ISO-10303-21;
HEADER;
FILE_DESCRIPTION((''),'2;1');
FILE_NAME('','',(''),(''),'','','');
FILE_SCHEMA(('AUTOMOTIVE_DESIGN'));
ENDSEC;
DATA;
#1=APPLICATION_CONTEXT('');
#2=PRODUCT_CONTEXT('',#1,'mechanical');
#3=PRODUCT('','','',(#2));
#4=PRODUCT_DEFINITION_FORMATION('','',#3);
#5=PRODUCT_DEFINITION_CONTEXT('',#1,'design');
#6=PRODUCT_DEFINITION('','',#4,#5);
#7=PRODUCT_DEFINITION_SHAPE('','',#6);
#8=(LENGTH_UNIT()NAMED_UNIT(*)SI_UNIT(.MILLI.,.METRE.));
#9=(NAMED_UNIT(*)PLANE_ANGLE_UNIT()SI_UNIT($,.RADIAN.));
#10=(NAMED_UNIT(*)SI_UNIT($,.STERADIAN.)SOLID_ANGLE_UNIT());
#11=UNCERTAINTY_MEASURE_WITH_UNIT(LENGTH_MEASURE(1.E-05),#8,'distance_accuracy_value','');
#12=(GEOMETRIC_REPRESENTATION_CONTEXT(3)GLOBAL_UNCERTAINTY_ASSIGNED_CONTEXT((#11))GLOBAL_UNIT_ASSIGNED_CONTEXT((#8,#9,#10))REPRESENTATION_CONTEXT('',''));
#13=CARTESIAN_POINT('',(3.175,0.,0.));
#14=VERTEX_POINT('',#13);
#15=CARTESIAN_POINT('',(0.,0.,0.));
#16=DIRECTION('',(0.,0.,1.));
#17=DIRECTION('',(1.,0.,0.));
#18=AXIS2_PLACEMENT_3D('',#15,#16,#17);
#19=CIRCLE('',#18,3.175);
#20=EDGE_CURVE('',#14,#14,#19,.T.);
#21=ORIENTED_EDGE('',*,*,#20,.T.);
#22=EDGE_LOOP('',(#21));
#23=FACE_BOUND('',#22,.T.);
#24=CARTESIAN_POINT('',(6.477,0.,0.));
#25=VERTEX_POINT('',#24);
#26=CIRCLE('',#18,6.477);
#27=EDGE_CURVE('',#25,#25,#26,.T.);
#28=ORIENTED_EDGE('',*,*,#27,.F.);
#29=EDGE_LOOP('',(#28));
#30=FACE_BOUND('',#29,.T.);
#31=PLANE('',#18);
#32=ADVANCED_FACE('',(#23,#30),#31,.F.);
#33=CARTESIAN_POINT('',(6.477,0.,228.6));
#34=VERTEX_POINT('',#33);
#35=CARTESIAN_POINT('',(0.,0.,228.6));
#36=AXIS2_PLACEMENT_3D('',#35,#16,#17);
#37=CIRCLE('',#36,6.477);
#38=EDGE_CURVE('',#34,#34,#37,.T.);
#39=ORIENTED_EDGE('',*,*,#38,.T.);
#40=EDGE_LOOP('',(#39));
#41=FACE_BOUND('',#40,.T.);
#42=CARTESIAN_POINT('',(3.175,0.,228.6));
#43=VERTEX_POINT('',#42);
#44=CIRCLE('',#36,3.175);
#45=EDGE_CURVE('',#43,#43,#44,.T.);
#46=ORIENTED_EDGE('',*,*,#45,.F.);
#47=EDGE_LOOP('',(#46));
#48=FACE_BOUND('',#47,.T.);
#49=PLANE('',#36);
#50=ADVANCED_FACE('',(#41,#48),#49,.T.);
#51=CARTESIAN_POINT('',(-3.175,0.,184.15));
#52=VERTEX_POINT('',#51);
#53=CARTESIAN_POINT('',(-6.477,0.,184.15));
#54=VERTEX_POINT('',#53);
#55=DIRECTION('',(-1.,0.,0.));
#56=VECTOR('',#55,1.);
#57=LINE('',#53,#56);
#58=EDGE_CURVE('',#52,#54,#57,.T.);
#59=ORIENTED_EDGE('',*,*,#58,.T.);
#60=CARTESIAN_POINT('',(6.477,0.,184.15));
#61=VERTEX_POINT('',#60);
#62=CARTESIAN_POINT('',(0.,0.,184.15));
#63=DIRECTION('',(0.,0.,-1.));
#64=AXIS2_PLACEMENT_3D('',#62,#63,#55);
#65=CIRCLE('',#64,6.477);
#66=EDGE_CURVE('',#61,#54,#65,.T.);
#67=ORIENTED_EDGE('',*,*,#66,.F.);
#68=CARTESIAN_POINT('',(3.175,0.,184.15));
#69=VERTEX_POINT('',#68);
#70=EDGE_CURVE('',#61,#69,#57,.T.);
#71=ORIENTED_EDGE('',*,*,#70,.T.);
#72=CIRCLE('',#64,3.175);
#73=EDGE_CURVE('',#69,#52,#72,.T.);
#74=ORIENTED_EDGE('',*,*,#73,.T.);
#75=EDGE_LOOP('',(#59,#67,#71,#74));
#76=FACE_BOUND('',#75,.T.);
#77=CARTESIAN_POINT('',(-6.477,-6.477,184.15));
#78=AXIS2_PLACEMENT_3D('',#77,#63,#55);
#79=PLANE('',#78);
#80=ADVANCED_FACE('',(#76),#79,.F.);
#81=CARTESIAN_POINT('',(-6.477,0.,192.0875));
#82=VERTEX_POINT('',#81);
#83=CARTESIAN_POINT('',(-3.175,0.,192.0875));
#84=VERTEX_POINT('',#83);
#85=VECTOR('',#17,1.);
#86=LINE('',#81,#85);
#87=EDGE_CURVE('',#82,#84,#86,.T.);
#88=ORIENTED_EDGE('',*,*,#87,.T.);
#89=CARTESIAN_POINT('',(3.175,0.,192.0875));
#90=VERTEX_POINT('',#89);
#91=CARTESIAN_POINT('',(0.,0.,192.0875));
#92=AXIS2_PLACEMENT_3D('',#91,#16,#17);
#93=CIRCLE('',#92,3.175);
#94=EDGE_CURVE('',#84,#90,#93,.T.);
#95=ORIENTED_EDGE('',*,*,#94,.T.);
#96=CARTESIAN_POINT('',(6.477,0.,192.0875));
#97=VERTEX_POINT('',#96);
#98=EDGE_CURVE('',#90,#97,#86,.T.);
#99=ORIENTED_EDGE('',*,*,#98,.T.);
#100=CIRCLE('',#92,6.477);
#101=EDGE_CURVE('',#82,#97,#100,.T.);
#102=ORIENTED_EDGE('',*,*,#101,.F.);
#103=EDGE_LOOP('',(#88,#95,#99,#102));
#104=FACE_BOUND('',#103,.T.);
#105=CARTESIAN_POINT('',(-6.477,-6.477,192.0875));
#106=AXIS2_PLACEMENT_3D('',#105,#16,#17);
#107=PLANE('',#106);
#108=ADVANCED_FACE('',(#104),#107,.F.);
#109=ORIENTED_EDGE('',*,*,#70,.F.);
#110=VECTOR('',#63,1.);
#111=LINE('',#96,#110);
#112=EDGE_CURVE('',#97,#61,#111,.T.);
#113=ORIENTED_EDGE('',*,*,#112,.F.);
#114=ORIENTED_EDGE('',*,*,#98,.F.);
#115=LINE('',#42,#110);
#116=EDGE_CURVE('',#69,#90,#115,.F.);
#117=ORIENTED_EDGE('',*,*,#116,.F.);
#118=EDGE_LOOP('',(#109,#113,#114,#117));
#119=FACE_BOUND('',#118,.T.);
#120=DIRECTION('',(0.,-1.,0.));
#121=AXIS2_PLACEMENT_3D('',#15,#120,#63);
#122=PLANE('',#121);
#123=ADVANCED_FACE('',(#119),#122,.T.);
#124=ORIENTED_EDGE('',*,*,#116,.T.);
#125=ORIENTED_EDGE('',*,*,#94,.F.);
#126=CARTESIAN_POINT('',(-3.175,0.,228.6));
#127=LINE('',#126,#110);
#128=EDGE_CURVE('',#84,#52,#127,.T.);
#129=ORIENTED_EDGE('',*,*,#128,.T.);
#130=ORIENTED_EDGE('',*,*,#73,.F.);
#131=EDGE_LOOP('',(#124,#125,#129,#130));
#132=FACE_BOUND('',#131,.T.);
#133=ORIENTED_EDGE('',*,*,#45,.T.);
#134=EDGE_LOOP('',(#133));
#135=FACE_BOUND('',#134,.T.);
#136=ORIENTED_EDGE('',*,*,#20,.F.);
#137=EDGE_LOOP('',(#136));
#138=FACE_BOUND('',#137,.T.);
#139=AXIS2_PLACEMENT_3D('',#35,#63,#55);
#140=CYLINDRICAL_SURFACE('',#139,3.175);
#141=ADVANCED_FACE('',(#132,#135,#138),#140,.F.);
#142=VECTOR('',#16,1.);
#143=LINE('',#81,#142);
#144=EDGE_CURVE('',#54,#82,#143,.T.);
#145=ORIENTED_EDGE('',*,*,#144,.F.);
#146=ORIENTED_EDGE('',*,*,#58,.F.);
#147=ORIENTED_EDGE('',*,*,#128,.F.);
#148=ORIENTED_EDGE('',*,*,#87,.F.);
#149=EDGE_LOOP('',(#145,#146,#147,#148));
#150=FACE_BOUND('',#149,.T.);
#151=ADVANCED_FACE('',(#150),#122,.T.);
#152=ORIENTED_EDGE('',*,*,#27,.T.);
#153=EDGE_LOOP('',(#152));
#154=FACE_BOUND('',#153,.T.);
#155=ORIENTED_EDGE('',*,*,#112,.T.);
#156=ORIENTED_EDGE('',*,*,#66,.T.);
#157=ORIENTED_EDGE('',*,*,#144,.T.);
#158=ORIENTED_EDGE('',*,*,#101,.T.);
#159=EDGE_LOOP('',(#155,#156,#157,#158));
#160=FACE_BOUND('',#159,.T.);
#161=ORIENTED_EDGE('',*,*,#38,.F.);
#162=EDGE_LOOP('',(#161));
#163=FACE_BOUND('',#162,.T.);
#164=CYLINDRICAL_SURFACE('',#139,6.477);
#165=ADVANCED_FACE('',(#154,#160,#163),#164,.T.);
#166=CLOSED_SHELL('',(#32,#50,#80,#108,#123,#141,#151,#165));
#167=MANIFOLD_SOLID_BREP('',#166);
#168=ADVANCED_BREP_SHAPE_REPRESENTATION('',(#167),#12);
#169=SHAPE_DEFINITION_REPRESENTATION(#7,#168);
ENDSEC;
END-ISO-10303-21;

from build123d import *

# Parameters (mm, degrees)
SKETCH1_R           = 6.477
SKETCH1_R_2         = 3.175
BOSS_EXTRUDE1_DEPTH = 228.6
SKETCH2_W           = 12.954
SKETCH2_H           = 7.9375
CUT_EXTRUDE1_DEPTH  = 229.783441398


with BuildPart() as part:
    # Sketch1 → Boss-Extrude1 (new body)
    with BuildSketch(Plane.XY):
        Circle(SKETCH1_R)
        Circle(SKETCH1_R_2, mode=Mode.SUBTRACT)
    extrude(amount=BOSS_EXTRUDE1_DEPTH)

    # Sketch2 → Cut-Extrude1 (cut, through all)
    with BuildSketch(Plane(origin=(0, 0, 0), x_dir=(1, 0, 0), z_dir=(0, 1, 0))):
        with Locations((0, -188.11875)):
            Rectangle(SKETCH2_W, SKETCH2_H)
    extrude(amount=-CUT_EXTRUDE1_DEPTH, mode=Mode.SUBTRACT)


solid = part.part
